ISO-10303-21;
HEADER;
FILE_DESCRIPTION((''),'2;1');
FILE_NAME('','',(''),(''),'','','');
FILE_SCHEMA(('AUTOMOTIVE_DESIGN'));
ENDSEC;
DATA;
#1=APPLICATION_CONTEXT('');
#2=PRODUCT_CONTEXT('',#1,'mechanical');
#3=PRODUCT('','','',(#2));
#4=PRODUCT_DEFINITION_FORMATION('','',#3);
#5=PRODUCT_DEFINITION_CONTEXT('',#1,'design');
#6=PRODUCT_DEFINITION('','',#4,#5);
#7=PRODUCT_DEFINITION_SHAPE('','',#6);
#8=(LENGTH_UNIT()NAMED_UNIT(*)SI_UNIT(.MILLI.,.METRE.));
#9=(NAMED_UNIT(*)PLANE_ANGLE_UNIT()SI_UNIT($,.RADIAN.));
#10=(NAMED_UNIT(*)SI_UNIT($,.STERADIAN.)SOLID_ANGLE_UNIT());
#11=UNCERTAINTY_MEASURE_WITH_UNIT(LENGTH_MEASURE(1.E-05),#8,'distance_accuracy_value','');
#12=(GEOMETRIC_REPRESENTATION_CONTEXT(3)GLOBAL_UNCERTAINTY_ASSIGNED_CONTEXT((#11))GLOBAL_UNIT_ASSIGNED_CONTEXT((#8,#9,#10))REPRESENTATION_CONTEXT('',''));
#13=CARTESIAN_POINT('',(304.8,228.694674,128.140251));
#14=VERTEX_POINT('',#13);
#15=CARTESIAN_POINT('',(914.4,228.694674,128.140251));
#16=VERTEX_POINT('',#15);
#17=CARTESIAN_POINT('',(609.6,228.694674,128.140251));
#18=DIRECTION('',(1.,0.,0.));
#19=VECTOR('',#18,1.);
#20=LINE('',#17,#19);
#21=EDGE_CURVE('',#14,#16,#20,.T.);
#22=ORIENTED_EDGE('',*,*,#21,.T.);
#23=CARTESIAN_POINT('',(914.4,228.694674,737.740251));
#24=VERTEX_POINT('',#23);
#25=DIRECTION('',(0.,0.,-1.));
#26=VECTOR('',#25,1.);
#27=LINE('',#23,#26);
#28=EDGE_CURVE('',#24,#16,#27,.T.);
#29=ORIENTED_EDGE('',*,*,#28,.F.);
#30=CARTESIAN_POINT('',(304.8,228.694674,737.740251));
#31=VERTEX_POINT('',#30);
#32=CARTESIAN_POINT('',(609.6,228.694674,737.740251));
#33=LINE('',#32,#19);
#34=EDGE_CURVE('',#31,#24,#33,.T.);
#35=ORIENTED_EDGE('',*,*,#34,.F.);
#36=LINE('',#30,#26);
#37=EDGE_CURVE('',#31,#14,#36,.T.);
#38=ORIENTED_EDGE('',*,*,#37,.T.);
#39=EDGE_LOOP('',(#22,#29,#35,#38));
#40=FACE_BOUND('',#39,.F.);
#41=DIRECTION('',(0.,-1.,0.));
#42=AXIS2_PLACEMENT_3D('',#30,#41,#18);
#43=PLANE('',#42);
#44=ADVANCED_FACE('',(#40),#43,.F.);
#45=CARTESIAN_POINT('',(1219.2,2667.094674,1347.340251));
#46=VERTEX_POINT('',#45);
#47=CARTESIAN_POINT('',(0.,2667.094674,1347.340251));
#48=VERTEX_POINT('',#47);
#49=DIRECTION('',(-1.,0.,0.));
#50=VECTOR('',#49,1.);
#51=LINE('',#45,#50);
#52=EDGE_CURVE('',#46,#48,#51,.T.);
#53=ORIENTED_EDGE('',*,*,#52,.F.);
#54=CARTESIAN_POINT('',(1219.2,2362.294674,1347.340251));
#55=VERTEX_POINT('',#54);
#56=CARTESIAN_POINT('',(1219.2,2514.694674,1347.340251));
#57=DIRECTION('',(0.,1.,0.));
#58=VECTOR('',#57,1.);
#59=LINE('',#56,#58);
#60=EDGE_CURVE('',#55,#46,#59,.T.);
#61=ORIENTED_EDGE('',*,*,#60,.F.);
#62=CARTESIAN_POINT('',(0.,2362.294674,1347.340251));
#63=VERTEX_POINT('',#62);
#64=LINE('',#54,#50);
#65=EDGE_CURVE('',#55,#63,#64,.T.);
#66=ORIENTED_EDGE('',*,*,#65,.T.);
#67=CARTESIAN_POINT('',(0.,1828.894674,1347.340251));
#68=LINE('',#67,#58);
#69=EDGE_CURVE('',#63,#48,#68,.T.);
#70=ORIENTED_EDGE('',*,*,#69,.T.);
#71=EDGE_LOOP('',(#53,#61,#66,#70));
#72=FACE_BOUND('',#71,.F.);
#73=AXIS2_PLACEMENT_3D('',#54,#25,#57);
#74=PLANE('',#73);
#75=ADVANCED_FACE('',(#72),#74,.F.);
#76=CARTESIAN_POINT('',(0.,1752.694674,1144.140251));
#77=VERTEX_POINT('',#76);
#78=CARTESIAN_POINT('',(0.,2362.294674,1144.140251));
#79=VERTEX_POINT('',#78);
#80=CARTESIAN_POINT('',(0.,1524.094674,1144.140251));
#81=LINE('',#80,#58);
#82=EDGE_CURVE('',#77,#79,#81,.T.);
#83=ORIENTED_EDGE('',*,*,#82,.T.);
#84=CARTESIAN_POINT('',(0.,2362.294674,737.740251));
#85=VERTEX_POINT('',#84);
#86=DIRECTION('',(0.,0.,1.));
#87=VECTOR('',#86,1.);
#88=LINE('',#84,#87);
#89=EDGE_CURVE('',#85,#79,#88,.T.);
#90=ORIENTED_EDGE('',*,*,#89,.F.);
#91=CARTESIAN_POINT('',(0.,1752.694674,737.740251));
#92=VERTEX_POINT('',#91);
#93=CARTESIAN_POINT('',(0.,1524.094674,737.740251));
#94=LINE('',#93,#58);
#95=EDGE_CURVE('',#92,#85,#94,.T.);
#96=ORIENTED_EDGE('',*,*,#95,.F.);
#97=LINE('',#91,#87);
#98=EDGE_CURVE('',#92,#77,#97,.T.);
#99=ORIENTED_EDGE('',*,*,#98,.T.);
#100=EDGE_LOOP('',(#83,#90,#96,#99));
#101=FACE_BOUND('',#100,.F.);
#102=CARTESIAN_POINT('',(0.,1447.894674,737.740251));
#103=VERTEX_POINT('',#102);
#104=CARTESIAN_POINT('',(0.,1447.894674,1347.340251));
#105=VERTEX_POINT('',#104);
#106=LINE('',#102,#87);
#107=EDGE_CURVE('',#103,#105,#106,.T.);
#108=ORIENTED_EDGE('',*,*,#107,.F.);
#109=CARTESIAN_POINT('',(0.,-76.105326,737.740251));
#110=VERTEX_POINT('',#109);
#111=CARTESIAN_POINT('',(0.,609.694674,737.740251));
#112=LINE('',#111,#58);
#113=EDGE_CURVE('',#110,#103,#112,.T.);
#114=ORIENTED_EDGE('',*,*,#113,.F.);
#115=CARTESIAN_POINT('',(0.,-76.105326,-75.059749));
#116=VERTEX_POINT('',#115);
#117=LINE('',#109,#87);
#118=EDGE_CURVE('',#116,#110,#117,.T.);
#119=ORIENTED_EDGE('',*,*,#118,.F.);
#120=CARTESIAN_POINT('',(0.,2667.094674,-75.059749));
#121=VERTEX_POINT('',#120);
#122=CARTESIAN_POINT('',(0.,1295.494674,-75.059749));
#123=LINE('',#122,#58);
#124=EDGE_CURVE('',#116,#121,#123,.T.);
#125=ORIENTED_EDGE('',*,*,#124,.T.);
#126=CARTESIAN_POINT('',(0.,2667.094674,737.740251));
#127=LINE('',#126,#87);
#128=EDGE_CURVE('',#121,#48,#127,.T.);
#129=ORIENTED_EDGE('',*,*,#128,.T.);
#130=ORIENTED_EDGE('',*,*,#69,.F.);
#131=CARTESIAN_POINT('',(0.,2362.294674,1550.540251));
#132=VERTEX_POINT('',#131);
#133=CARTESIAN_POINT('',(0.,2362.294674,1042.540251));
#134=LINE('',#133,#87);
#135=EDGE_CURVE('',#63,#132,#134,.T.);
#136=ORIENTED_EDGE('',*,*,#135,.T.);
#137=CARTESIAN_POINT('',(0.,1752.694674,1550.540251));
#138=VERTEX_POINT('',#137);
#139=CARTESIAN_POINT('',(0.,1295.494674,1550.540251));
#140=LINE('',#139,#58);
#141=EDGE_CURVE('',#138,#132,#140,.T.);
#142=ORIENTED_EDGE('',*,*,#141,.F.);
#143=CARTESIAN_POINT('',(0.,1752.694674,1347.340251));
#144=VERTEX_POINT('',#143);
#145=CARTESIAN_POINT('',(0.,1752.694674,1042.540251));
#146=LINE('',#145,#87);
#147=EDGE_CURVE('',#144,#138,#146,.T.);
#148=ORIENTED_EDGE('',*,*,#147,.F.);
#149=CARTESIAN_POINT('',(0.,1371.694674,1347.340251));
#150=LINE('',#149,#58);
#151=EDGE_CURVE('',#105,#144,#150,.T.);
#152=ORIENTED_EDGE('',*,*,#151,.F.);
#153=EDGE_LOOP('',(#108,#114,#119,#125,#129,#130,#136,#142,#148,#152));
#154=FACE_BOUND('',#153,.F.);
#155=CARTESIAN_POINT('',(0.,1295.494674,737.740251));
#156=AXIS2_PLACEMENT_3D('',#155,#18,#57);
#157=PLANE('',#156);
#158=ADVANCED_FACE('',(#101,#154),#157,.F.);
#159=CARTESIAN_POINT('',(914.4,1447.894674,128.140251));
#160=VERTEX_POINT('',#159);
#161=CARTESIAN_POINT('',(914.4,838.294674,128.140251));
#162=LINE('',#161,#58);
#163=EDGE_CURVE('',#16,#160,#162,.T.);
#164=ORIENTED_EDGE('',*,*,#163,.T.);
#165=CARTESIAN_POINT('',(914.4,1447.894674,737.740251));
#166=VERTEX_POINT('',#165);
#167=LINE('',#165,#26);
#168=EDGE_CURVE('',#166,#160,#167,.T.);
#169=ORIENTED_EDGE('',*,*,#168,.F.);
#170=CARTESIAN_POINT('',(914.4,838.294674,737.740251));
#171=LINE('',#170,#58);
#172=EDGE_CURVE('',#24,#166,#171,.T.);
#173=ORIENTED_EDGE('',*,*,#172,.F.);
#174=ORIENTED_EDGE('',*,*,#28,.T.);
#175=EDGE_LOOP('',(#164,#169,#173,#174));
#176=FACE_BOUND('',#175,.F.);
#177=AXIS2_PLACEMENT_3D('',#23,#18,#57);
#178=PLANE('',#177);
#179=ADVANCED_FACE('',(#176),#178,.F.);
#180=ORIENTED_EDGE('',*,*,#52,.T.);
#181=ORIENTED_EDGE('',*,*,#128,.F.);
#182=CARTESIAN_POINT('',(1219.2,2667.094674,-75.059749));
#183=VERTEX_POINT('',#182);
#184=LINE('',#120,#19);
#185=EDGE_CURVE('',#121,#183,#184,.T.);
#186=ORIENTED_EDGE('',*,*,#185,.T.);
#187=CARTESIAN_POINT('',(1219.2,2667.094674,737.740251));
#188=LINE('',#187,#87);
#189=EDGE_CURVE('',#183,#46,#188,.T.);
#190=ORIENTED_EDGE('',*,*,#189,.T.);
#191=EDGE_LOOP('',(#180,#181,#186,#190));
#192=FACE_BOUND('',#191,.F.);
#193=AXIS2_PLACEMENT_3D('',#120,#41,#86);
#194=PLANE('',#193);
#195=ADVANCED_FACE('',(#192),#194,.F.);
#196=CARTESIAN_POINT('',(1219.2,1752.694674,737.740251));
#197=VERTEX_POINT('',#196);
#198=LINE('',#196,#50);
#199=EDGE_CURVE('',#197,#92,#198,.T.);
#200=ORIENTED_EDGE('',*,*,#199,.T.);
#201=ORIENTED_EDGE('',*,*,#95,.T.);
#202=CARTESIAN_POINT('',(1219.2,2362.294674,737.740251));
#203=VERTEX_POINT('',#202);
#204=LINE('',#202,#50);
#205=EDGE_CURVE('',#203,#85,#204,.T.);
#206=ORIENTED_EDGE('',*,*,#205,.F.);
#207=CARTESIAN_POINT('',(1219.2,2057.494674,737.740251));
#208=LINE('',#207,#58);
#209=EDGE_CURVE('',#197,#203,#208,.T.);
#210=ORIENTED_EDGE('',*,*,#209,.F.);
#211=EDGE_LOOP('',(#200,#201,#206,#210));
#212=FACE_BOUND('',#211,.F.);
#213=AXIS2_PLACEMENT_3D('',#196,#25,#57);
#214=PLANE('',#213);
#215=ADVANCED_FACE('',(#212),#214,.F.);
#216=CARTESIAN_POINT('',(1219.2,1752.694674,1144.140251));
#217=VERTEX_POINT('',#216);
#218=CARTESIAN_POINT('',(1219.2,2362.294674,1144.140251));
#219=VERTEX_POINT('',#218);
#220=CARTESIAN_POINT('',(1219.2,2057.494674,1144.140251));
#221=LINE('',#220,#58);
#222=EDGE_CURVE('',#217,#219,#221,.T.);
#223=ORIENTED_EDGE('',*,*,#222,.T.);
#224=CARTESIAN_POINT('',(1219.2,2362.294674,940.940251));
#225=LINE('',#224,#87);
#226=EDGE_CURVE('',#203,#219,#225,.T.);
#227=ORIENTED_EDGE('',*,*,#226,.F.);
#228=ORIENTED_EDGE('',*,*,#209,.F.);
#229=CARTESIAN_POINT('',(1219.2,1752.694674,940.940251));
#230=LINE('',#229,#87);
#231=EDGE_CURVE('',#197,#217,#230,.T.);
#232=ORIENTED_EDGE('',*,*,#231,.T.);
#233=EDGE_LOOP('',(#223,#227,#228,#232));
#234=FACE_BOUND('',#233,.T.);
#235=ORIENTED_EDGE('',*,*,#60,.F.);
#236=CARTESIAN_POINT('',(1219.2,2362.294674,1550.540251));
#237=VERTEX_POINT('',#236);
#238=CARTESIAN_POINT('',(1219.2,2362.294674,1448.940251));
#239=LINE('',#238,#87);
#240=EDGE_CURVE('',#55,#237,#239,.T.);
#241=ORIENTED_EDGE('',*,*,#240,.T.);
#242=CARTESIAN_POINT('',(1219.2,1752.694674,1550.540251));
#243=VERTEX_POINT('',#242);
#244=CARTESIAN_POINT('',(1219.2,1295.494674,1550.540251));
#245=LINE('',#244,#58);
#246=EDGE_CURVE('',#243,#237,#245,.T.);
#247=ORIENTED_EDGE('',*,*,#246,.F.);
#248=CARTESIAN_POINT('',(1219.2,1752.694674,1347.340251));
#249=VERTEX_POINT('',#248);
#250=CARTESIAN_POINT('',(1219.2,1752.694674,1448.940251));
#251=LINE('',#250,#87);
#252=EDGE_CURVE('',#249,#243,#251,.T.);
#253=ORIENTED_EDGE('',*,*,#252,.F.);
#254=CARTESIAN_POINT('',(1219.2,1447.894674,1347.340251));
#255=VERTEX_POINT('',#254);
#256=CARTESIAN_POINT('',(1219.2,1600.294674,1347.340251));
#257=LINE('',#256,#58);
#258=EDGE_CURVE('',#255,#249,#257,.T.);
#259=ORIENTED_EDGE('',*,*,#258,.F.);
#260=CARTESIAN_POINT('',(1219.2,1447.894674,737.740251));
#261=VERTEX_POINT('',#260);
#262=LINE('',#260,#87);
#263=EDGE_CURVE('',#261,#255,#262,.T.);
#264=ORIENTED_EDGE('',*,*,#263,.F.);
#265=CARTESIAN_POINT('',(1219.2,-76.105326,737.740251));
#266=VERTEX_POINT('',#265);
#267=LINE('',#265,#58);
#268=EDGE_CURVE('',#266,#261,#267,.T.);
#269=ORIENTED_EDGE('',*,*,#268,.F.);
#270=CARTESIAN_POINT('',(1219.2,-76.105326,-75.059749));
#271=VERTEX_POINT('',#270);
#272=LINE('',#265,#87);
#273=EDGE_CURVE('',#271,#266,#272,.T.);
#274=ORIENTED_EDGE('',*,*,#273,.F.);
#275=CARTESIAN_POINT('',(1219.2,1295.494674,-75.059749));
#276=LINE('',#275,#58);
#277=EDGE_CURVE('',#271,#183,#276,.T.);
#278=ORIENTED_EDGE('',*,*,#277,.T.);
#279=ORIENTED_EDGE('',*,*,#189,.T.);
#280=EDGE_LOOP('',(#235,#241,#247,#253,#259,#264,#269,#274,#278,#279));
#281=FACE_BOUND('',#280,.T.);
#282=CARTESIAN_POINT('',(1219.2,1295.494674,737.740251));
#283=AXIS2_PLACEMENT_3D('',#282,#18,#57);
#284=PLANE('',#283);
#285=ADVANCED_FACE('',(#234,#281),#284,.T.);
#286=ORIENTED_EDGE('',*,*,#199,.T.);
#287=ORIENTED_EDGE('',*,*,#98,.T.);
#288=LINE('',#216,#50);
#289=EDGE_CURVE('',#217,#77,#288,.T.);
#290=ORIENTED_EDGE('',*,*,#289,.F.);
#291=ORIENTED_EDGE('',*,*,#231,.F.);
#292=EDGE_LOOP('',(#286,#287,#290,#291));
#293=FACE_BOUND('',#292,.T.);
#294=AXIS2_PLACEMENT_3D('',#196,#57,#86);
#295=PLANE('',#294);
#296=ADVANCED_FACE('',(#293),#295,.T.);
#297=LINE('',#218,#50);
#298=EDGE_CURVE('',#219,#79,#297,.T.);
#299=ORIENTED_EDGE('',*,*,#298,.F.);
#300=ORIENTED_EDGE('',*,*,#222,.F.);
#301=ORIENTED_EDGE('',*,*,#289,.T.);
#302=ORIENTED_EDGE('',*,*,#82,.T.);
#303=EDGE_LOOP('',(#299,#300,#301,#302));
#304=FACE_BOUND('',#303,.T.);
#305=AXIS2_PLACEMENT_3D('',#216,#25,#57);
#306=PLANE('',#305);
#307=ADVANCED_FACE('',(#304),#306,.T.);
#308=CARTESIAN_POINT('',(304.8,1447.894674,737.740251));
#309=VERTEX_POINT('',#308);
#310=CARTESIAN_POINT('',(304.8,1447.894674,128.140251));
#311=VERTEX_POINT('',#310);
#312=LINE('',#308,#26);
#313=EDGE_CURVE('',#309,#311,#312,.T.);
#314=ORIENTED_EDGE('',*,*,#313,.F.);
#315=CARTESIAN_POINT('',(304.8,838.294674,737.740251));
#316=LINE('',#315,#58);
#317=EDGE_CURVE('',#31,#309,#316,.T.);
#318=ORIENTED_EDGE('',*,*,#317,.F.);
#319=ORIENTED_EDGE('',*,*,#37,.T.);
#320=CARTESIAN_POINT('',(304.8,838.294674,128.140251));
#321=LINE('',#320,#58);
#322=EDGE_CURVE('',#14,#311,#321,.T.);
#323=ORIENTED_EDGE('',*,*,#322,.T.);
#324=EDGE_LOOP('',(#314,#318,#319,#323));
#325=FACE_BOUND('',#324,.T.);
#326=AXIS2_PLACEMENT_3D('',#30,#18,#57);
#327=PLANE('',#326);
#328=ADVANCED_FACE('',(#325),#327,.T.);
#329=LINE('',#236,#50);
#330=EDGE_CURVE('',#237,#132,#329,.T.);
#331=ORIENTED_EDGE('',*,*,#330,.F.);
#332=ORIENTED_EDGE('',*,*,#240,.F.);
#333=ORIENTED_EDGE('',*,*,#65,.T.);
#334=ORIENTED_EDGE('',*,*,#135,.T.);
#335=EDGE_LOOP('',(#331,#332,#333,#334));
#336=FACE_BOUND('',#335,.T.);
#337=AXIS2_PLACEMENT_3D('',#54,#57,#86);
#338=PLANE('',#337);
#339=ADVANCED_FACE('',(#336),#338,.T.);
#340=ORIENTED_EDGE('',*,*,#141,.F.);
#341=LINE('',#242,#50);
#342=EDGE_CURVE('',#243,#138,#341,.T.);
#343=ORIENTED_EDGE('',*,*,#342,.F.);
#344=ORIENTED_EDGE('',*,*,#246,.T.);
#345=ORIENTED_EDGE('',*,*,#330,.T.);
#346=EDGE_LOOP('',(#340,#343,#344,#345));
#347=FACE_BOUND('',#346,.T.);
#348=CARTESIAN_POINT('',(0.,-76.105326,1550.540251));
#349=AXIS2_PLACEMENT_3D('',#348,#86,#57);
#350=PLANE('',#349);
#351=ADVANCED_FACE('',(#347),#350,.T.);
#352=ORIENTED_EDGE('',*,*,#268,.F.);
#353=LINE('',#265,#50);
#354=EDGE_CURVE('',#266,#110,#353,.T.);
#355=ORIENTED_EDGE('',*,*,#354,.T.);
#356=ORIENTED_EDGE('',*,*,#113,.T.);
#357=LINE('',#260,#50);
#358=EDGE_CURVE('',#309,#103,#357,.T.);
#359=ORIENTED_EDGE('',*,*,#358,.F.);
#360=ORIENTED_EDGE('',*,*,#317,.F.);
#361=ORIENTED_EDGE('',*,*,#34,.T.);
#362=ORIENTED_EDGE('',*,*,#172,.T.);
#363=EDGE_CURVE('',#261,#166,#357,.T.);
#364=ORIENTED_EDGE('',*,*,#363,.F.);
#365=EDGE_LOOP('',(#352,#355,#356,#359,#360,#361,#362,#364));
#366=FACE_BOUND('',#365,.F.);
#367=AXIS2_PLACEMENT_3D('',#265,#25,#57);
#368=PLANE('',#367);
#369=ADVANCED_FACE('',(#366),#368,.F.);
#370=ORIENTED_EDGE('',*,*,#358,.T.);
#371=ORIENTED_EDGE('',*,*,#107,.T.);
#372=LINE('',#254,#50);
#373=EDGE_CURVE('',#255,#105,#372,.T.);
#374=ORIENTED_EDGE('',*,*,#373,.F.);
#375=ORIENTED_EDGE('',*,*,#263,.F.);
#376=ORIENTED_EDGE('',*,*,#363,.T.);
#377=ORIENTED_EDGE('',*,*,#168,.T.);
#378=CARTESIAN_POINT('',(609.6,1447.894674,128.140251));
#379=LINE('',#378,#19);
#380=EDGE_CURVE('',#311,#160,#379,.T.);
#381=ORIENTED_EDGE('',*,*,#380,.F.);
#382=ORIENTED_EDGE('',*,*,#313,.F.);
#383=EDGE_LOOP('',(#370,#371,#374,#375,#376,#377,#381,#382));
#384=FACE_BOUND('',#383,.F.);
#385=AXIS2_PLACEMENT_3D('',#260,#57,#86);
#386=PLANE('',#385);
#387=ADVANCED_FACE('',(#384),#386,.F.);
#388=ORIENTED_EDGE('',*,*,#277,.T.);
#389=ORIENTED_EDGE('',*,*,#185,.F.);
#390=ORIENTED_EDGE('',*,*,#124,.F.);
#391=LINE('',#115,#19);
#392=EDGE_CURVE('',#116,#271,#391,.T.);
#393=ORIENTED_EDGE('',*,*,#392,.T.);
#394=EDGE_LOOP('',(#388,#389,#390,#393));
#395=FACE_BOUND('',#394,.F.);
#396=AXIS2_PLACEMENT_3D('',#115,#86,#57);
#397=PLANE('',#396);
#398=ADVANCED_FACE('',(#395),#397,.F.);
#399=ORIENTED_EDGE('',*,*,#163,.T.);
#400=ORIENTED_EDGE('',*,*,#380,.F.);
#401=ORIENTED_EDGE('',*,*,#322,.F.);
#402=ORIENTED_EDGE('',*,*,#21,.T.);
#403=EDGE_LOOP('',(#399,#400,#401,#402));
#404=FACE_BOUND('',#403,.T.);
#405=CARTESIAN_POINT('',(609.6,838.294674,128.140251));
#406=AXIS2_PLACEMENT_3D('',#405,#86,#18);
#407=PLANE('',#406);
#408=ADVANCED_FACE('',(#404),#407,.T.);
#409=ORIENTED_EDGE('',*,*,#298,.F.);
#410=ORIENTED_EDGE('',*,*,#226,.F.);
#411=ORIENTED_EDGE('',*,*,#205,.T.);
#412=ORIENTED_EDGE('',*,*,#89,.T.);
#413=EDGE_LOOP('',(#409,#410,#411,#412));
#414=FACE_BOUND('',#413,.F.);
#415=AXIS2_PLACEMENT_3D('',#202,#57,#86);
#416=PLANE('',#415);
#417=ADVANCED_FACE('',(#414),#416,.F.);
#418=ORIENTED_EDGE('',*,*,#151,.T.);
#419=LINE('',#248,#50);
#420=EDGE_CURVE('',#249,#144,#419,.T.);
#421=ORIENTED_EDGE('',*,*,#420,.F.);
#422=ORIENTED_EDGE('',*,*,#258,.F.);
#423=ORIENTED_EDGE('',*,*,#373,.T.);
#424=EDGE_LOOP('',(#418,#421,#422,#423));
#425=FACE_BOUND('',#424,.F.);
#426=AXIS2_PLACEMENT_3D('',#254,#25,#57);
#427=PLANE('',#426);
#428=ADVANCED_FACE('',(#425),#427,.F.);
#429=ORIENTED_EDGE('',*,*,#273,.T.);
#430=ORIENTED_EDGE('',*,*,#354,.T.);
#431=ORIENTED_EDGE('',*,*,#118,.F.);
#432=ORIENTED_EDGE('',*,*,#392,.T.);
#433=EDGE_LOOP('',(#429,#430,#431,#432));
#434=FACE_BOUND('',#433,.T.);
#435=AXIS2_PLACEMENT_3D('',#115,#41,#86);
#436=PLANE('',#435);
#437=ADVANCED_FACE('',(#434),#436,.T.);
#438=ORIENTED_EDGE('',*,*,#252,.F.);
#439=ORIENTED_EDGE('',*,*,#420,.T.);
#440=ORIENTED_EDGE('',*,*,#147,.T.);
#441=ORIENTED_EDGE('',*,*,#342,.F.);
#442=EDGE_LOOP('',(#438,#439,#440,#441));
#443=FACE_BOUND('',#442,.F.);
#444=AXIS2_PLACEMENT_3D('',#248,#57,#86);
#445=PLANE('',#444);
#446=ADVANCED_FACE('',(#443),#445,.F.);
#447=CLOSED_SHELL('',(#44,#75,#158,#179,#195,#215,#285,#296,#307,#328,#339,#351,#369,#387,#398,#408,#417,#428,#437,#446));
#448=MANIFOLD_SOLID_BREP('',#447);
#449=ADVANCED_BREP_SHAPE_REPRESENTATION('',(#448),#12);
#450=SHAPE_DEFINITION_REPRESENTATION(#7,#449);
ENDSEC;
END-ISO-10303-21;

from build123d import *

# Parameters (mm, degrees)
F0_W     = 2743.2
F0_H     = 1625.6
F1_DEPTH = 1219.2
F2_W     = 609.6
F2_H     = 406.4
F3_DEPTH = 1219.201
F4_W     = 304.8
F4_H     = 203.2
F5_DEPTH = 1219.201
F7_DEPTH = 1219.201
F8_W     = 609.6
F8_H     = 1219.2
F9_DEPTH = 609.6


with BuildPart() as f1:
    # F0 (on Right) → F1 (new body)
    with BuildSketch(Plane.YZ):
        with Locations((1295.494674, 737.740251)):
            Rectangle(F0_W, F0_H)
    extrude(amount=F1_DEPTH)

    # F2 (on face) → F3 (cut, through all)
    with BuildSketch(Plane.YZ.offset(1219.2)):
        with Locations((2057.494674, 940.940251)):
            Rectangle(F2_W, F2_H)
    extrude(amount=-F3_DEPTH, mode=Mode.SUBTRACT)

    # F4 (on face) → F5 (cut, through all)
    with BuildSketch(Plane.YZ.offset(1219.2)):
        with Locations((2514.694674, 1448.940251)):
            Rectangle(F4_W, F4_H)
        with Locations((1600.294674, 1448.940251)):
            Rectangle(F4_W, F4_H)
    extrude(amount=-F5_DEPTH, mode=Mode.SUBTRACT)

    # F6 (on face) → F7 (cut, through all)
    with BuildSketch(Plane.YZ.offset(1219.2)):
        Polygon((-76.105326, 1550.540251), (-76.105326, 737.740251), (1447.894674, 737.740251), (1447.894674, 1347.340251), (1447.894674, 1550.540251), align=None)
    extrude(amount=-F7_DEPTH, mode=Mode.SUBTRACT)

    # F8 (on face) → F9 (cut)
    with BuildSketch(Plane.XY.offset(737.740251)):
        with Locations((609.6, 838.294674)):
            Rectangle(F8_W, F8_H)
    extrude(amount=-F9_DEPTH, mode=Mode.SUBTRACT)


solid = f1.part
